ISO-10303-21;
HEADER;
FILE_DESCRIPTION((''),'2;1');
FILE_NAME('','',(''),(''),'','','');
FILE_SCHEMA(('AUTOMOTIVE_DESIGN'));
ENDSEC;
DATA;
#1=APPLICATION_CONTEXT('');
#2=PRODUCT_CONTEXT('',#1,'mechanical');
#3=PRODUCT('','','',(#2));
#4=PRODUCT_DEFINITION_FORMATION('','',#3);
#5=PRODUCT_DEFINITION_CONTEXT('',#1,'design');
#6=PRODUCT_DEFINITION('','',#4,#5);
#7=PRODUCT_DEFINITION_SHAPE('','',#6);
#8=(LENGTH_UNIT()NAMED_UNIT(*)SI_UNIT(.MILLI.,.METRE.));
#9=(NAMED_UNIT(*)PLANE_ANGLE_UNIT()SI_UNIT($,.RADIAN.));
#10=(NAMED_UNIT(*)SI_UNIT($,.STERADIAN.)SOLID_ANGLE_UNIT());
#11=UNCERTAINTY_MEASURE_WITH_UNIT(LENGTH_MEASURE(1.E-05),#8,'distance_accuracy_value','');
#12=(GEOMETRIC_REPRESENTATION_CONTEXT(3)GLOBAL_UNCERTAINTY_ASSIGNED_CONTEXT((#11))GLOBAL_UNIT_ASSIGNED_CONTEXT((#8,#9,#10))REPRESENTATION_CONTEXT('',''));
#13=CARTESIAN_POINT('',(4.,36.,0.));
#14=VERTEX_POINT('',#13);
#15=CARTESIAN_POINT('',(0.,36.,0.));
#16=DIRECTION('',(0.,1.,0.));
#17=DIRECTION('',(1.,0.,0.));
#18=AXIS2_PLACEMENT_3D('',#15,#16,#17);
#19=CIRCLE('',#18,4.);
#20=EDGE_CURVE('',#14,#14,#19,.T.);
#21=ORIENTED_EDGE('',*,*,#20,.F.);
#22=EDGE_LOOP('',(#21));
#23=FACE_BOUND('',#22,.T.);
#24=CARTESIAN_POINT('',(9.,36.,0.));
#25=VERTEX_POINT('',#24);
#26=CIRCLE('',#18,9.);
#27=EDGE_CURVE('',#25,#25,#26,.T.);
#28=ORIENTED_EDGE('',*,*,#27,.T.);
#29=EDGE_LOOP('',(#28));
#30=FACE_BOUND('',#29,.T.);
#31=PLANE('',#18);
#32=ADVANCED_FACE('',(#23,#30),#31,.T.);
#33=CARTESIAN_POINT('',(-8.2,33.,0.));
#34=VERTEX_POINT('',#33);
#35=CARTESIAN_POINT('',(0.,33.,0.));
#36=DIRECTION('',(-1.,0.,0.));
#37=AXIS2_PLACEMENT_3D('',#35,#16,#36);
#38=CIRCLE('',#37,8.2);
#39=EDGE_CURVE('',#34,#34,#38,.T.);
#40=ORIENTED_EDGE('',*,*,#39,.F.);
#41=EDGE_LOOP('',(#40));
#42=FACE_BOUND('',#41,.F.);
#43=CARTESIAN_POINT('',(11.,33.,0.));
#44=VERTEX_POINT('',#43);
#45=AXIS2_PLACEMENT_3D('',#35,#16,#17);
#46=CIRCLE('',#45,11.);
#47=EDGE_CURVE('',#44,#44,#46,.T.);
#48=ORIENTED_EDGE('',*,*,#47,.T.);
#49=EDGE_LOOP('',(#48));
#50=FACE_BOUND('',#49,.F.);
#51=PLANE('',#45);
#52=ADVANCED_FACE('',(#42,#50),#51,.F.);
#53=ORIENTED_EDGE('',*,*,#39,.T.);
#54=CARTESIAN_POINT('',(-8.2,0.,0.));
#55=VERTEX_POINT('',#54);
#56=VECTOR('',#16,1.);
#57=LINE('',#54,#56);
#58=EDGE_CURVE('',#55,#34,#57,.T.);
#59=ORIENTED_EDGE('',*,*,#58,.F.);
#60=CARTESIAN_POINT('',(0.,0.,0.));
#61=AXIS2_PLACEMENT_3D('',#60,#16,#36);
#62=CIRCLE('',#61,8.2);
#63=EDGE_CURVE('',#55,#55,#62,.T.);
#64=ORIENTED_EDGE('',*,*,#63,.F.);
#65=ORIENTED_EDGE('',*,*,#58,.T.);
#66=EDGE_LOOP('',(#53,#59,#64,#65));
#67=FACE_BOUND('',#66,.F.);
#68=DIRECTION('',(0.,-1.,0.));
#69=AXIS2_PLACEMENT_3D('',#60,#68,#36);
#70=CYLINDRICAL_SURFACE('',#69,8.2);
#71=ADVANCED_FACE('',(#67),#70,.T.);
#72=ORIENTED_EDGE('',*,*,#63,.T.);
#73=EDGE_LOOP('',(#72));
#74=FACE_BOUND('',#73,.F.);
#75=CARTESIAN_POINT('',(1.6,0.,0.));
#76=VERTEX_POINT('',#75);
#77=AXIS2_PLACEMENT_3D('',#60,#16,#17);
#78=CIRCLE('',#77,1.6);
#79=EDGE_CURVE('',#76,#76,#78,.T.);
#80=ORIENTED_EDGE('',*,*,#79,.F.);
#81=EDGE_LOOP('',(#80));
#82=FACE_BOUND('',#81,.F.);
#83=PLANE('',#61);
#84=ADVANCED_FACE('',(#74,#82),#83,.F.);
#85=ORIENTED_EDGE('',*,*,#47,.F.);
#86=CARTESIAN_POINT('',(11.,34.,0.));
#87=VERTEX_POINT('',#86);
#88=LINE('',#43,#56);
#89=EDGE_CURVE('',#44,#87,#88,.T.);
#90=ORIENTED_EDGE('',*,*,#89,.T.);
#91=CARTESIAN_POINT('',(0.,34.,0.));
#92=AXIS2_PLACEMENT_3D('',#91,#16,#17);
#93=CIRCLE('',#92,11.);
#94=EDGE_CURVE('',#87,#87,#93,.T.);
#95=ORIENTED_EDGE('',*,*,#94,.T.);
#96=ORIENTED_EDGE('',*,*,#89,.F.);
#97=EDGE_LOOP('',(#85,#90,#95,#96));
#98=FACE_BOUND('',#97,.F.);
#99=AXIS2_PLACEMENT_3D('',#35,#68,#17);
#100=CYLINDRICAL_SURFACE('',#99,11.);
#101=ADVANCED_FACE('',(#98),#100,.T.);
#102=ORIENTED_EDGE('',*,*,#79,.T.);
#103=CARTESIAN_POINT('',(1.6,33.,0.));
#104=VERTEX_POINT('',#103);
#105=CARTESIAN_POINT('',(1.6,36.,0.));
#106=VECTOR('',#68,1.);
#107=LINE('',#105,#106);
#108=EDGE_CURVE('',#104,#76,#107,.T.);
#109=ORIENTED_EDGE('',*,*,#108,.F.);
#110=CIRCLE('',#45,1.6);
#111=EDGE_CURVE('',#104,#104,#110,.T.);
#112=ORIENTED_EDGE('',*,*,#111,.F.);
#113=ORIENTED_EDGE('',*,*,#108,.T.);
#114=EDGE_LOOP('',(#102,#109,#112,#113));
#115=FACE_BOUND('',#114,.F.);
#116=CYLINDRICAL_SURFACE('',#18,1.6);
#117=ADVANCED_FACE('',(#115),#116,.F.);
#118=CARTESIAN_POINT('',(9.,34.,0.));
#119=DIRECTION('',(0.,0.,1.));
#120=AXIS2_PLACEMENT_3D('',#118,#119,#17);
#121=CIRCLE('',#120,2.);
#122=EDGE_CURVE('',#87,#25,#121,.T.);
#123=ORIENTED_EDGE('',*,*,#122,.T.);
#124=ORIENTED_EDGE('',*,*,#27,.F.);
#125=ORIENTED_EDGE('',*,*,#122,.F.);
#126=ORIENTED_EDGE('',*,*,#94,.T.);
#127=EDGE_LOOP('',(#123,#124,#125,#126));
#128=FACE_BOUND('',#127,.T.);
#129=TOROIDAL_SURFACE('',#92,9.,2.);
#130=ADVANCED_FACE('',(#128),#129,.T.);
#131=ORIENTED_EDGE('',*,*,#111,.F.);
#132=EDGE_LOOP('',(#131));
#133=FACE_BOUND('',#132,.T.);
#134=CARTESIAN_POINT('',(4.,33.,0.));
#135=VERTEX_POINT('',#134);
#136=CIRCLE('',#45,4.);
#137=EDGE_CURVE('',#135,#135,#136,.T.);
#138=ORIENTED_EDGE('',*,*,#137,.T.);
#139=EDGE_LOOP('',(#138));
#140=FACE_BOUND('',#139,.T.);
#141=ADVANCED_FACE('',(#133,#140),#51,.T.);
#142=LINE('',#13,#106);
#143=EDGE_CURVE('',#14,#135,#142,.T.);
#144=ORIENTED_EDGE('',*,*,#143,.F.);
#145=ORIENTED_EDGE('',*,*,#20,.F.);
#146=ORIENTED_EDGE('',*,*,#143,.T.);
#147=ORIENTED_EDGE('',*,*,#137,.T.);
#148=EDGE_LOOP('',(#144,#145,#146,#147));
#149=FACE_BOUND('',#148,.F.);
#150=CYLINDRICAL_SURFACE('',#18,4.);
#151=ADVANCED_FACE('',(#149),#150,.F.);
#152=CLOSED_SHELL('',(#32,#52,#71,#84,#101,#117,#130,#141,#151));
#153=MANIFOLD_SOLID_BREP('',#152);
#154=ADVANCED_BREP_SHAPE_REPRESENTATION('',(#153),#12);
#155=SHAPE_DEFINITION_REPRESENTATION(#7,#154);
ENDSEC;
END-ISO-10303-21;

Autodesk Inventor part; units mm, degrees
ref_plane "YZ Plane" through (0, 0, 0) normal (1, 0, 0) x (0, 1, 0)
ref_plane "XZ Plane" through (0, 0, 0) normal (0, 1, 0) x (-1, 0, 0)
ref_plane "XY Plane" through (0, 0, 0) normal (0, 0, 1) x (1, 0, 0)
sketch "Sketch1" plane through (0, 0, 0) normal (0, 1, 0) x (-1, 0, 0)
  circle A0 centre (0, 0) radius 8.2
  dimension "d0" = 16.4
extrude "Extrusion1" add sketch "Sketch1" along normal blind 33
sketch "Sketch3" plane through (0, 33, 0) normal (0, 1, 0) x (1, 0, 0)
  circle A0 centre (0, 0) radius 11
  dimension "d4" = 22
extrude "Extrusion2" add sketch "Sketch3" along normal blind 3
sketch "Sketch4" plane through (0, 36, 0) normal (0, 1, 0) x (1, 0, 0)
  circle A0 centre (0, 0) radius 1.6
  dimension "d7" = 3.2
extrude "Extrusion3" cut sketch "Sketch4" against normal blind 100
sketch "Sketch5" plane through (0, 36, 0) normal (0, 1, 0) x (1, 0, 0)
  circle A0 centre (0, 0) radius 1.6 projected
  circle A1 centre (0, 0) radius 4
  dimension "d10" = 8
extrude "Extrusion4" cut sketch "Sketch5" against normal blind 3
fillet "Fillet1" radius 2 1 edges at (-11, 36, 0)
properties part number "Foam_wing_mount_bolt"
